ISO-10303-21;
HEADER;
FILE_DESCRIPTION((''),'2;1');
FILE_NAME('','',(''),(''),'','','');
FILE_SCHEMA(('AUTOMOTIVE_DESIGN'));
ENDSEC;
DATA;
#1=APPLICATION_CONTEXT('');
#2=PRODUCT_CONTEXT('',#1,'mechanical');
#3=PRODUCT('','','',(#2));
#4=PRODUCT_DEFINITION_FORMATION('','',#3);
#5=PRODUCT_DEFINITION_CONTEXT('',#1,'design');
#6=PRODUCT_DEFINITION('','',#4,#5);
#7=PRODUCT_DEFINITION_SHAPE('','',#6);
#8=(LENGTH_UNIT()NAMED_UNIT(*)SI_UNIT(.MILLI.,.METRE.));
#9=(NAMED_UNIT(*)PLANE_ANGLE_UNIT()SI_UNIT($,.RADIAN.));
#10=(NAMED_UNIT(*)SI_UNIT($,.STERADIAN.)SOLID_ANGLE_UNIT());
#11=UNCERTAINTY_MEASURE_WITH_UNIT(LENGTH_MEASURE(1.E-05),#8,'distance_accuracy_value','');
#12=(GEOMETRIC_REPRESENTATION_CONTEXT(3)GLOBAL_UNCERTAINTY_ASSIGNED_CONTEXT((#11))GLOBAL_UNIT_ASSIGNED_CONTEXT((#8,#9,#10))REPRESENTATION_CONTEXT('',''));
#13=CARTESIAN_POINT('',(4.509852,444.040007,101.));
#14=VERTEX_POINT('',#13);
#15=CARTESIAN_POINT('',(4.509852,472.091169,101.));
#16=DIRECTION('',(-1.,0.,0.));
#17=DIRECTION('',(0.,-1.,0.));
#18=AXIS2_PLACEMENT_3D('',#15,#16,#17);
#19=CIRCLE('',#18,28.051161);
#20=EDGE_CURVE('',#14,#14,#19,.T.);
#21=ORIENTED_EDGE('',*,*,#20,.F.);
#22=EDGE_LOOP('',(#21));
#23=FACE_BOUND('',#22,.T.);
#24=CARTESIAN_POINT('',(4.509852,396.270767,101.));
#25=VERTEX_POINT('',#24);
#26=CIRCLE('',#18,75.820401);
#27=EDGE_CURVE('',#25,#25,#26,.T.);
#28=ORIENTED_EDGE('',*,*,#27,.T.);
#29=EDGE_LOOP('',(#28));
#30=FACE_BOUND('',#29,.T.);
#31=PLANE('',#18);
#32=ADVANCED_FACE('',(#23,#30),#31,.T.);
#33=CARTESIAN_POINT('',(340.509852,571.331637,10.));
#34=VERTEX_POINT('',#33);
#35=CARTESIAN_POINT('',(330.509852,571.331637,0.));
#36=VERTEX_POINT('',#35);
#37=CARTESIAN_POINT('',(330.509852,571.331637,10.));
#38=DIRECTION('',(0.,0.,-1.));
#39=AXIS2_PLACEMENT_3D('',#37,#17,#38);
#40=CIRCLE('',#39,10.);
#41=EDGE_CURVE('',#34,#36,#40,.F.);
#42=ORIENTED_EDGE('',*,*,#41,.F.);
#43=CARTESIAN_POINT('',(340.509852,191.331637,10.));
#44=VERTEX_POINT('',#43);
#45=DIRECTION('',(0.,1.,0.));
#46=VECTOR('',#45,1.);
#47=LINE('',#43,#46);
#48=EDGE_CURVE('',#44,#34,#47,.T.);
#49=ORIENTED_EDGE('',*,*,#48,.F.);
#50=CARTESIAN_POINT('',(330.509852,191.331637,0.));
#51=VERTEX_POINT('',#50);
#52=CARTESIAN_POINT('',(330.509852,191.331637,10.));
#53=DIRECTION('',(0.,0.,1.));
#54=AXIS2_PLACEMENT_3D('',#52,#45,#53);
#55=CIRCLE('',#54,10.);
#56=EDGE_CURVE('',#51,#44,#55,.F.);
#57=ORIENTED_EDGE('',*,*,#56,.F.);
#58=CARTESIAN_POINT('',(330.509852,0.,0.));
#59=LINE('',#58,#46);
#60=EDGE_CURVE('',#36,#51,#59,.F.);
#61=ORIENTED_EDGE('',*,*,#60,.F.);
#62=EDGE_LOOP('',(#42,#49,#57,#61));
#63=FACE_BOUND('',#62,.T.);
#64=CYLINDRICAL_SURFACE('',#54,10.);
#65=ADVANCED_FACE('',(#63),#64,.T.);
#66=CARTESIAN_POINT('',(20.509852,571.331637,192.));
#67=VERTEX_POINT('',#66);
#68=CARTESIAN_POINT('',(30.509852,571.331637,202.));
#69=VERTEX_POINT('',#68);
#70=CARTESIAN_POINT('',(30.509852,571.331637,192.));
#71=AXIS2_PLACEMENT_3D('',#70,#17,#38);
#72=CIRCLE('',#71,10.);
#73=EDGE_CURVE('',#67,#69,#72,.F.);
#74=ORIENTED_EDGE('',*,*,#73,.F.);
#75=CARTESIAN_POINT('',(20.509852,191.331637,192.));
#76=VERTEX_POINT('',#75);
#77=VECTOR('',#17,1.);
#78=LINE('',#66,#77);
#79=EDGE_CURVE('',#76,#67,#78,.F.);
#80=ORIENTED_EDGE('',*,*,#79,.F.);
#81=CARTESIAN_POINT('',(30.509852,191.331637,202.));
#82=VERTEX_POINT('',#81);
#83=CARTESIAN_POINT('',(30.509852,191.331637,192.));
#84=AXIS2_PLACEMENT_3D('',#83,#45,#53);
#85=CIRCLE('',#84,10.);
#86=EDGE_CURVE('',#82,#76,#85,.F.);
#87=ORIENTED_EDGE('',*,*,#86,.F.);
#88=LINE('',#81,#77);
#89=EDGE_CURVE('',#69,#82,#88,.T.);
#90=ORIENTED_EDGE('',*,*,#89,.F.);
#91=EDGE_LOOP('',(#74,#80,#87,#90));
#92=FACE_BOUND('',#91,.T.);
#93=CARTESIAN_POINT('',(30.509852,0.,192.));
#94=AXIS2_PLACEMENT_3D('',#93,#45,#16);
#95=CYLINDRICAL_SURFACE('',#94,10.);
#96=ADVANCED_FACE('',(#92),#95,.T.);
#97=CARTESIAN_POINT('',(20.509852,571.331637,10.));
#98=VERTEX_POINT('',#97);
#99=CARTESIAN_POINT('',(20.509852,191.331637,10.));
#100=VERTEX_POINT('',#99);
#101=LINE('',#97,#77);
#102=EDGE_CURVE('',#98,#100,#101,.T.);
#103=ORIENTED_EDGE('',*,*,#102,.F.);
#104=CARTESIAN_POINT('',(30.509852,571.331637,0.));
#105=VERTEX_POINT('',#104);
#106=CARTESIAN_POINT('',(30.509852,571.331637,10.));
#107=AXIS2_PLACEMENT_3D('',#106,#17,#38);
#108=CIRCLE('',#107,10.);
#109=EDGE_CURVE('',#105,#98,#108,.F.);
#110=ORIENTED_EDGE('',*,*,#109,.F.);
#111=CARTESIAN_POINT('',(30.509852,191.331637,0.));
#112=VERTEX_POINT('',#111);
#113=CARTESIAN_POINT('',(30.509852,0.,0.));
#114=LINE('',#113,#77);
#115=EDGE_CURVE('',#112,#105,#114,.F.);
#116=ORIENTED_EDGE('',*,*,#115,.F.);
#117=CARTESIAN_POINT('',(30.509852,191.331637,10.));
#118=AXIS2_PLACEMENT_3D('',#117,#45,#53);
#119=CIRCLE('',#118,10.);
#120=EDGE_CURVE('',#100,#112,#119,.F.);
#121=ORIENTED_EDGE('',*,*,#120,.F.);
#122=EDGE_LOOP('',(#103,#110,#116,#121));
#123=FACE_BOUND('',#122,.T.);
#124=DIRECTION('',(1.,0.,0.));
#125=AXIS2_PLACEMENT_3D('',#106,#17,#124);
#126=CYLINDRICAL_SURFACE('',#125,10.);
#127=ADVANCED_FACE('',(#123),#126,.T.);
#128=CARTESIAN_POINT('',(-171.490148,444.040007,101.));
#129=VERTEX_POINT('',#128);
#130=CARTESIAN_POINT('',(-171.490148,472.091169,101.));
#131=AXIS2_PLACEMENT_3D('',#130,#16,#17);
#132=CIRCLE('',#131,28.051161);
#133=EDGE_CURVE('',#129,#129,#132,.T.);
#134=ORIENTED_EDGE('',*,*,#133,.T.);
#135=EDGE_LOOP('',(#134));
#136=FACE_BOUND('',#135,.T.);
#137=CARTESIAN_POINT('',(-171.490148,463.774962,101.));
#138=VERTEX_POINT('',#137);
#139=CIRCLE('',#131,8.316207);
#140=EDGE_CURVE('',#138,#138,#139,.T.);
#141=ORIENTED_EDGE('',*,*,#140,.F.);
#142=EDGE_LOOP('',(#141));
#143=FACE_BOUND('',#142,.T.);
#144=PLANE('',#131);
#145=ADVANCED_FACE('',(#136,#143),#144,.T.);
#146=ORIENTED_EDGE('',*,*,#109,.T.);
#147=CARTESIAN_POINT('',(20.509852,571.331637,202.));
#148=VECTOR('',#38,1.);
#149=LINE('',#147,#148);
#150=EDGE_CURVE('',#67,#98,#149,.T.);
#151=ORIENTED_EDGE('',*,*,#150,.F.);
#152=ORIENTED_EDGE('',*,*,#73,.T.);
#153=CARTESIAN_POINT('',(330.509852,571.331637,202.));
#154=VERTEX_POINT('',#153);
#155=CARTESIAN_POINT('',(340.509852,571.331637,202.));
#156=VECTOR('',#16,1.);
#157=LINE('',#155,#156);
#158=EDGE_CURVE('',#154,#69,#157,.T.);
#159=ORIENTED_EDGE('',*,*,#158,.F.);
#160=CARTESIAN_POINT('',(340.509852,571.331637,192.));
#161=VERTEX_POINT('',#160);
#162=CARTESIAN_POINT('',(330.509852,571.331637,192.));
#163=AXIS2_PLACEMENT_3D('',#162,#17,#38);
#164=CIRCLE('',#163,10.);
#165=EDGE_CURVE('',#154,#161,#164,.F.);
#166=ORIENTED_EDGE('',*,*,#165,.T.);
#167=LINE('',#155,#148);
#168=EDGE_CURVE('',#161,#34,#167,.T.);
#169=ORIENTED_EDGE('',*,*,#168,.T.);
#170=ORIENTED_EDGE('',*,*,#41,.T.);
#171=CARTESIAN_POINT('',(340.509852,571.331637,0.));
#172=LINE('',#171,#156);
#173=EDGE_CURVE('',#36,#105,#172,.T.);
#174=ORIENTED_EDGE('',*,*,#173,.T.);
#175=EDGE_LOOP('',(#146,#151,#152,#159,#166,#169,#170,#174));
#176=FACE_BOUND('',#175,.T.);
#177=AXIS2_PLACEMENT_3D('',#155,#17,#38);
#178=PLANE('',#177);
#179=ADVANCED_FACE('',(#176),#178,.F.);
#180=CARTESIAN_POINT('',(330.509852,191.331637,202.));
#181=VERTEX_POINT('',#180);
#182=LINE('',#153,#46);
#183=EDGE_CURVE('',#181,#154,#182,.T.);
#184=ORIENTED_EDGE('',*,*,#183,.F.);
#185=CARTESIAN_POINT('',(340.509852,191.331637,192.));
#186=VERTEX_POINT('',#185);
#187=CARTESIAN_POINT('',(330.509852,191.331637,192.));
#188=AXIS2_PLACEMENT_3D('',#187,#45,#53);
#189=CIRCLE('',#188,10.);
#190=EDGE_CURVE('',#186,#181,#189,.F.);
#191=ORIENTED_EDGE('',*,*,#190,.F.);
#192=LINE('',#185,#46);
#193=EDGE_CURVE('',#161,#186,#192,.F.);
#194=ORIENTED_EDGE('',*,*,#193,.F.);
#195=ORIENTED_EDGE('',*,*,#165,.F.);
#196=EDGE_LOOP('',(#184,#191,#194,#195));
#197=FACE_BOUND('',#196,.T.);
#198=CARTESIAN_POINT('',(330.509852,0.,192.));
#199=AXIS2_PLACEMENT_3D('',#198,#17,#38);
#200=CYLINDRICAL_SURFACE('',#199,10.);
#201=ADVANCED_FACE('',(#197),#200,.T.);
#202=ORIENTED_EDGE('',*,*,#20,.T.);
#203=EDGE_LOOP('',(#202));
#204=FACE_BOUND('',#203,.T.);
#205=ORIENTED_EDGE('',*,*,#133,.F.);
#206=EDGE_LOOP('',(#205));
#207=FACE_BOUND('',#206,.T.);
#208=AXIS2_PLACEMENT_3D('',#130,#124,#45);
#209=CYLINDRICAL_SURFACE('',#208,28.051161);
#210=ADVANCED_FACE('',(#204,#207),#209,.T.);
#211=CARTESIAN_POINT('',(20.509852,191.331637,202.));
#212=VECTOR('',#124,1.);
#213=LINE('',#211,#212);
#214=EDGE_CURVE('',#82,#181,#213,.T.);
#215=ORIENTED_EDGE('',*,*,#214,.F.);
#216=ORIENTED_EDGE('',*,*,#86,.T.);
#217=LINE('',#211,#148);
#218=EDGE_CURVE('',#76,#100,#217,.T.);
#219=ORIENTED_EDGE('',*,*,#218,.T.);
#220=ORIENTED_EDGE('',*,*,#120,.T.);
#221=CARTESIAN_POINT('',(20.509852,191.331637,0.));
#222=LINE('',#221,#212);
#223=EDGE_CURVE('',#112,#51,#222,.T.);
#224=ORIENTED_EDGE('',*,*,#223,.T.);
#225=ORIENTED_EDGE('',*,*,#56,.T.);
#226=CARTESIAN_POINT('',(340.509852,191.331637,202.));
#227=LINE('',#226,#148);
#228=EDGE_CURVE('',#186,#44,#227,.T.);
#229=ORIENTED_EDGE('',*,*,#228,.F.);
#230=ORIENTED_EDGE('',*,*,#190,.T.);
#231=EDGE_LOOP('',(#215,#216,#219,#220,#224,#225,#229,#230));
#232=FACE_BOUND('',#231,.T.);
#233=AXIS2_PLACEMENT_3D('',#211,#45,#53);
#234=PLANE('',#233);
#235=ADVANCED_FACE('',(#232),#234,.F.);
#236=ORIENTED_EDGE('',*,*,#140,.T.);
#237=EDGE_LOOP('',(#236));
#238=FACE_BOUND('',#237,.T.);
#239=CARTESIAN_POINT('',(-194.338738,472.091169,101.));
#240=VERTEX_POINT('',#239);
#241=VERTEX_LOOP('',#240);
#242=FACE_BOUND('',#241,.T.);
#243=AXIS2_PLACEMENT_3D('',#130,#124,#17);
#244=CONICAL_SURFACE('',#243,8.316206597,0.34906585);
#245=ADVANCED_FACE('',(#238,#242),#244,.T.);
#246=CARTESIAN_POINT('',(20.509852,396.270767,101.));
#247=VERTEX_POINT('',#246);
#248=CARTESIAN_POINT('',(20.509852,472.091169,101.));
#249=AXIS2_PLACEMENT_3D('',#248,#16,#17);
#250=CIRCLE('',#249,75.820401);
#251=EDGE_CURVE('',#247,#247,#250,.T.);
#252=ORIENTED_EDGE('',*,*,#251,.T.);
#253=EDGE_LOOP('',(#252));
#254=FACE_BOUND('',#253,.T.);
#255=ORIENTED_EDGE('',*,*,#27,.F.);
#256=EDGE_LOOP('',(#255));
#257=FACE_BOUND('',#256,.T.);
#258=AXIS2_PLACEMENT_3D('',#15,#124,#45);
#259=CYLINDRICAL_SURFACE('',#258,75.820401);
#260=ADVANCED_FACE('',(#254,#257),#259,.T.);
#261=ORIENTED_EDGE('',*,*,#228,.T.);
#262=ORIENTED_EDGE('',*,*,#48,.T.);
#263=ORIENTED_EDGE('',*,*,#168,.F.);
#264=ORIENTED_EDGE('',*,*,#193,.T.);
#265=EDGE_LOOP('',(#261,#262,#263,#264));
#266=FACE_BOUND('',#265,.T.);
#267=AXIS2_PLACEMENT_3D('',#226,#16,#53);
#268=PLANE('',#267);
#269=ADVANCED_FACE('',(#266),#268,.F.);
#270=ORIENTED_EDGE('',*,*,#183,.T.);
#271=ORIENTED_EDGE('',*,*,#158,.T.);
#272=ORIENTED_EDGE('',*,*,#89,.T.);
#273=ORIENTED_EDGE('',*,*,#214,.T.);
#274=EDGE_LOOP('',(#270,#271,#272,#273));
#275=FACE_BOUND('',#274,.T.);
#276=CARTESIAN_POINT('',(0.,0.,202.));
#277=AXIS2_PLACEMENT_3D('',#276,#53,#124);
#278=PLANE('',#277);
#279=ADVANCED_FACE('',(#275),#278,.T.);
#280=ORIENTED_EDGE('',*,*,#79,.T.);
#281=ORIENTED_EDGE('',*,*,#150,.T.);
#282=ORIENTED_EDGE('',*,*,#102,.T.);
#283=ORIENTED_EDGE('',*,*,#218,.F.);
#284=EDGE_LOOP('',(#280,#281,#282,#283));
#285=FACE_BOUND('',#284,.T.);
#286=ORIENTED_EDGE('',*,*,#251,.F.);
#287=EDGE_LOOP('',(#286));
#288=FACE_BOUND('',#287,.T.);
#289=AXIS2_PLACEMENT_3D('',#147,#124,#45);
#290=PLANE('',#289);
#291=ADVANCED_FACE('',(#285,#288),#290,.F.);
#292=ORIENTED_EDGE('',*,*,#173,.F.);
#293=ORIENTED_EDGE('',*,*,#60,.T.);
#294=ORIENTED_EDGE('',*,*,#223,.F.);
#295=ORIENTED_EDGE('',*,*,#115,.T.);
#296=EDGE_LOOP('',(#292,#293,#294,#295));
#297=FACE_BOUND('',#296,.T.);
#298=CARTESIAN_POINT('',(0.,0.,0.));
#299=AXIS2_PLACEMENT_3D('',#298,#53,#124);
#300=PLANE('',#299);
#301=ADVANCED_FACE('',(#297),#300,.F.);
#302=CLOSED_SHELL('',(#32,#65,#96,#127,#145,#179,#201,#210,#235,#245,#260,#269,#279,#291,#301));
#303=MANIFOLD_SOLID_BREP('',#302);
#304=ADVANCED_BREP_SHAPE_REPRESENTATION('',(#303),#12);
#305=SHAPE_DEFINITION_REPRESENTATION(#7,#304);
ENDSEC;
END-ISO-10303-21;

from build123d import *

# Parameters (mm, degrees)
SZKIC1_W                    = 320
SZKIC1_H                    = 380
DODANIE_WYCI_GNI_CIE1_DEPTH = 202
SZKIC2_R                    = 75.8204014
DODANIE_WYCI_GNI_CIE2_DEPTH = 16
SZKIC3_R                    = 28.051161272
DODANIE_WYCI_GNI_CIE3_DEPTH = 176
ZAOKR_GLENIE1_R             = 10


with BuildPart() as part:
    # Szkic1 → Dodanie-wyciągnięcie1 (new body)
    with BuildSketch(Plane.XY):
        with Locations((180.509851846, 381.331636977)):
            Rectangle(SZKIC1_W, SZKIC1_H)
    extrude(amount=DODANIE_WYCI_GNI_CIE1_DEPTH)

    # Szkic2 → Dodanie-wyciągnięcie2 (add)
    with BuildSketch(Plane.ZY.offset(-20.509851846)):
        with Locations(Location((101, 472.09116861, 0), (0, 0, 270))):
            Circle(SZKIC2_R)
    extrude(amount=DODANIE_WYCI_GNI_CIE2_DEPTH)

    # Szkic3 → Dodanie-wyciągnięcie3 (add)
    with BuildSketch(Plane.ZY.offset(-4.509851846)):
        with Locations(Location((101, 472.09116861, 0), (0, 0, 270))):
            Circle(SZKIC3_R)
    extrude(amount=DODANIE_WYCI_GNI_CIE3_DEPTH)

    # Dodanie-wyciągnięcie4 cone 1 section (through the dimple's axis) → Dodanie-wyciągnięcie4 (revolve)
    with BuildSketch(Plane(origin=(-171.490148154, 472.09116861, 101), x_dir=(0, 0, -1), z_dir=(0, 1, 0))):
        Polygon((0, 0), (8.316206597, 0), (0, 22.848589841), align=None)
    revolve(axis=Axis((-171.490148154, 472.09116861, 101), (-1, 0, 0)))

    # Zaokrąglenie1
    zaokr_glenie1_edges = [part.edges().sort_by_distance(p)[0] for p in [
        (20.509851846, 381.331636977, 202),
        (340.509851846, 381.331636977, 202),
        (20.509851846, 381.331636977, 0),
        (340.509851846, 381.331636977, 0),
    ]]
    fillet(zaokr_glenie1_edges, radius=ZAOKR_GLENIE1_R)


solid = part.part
